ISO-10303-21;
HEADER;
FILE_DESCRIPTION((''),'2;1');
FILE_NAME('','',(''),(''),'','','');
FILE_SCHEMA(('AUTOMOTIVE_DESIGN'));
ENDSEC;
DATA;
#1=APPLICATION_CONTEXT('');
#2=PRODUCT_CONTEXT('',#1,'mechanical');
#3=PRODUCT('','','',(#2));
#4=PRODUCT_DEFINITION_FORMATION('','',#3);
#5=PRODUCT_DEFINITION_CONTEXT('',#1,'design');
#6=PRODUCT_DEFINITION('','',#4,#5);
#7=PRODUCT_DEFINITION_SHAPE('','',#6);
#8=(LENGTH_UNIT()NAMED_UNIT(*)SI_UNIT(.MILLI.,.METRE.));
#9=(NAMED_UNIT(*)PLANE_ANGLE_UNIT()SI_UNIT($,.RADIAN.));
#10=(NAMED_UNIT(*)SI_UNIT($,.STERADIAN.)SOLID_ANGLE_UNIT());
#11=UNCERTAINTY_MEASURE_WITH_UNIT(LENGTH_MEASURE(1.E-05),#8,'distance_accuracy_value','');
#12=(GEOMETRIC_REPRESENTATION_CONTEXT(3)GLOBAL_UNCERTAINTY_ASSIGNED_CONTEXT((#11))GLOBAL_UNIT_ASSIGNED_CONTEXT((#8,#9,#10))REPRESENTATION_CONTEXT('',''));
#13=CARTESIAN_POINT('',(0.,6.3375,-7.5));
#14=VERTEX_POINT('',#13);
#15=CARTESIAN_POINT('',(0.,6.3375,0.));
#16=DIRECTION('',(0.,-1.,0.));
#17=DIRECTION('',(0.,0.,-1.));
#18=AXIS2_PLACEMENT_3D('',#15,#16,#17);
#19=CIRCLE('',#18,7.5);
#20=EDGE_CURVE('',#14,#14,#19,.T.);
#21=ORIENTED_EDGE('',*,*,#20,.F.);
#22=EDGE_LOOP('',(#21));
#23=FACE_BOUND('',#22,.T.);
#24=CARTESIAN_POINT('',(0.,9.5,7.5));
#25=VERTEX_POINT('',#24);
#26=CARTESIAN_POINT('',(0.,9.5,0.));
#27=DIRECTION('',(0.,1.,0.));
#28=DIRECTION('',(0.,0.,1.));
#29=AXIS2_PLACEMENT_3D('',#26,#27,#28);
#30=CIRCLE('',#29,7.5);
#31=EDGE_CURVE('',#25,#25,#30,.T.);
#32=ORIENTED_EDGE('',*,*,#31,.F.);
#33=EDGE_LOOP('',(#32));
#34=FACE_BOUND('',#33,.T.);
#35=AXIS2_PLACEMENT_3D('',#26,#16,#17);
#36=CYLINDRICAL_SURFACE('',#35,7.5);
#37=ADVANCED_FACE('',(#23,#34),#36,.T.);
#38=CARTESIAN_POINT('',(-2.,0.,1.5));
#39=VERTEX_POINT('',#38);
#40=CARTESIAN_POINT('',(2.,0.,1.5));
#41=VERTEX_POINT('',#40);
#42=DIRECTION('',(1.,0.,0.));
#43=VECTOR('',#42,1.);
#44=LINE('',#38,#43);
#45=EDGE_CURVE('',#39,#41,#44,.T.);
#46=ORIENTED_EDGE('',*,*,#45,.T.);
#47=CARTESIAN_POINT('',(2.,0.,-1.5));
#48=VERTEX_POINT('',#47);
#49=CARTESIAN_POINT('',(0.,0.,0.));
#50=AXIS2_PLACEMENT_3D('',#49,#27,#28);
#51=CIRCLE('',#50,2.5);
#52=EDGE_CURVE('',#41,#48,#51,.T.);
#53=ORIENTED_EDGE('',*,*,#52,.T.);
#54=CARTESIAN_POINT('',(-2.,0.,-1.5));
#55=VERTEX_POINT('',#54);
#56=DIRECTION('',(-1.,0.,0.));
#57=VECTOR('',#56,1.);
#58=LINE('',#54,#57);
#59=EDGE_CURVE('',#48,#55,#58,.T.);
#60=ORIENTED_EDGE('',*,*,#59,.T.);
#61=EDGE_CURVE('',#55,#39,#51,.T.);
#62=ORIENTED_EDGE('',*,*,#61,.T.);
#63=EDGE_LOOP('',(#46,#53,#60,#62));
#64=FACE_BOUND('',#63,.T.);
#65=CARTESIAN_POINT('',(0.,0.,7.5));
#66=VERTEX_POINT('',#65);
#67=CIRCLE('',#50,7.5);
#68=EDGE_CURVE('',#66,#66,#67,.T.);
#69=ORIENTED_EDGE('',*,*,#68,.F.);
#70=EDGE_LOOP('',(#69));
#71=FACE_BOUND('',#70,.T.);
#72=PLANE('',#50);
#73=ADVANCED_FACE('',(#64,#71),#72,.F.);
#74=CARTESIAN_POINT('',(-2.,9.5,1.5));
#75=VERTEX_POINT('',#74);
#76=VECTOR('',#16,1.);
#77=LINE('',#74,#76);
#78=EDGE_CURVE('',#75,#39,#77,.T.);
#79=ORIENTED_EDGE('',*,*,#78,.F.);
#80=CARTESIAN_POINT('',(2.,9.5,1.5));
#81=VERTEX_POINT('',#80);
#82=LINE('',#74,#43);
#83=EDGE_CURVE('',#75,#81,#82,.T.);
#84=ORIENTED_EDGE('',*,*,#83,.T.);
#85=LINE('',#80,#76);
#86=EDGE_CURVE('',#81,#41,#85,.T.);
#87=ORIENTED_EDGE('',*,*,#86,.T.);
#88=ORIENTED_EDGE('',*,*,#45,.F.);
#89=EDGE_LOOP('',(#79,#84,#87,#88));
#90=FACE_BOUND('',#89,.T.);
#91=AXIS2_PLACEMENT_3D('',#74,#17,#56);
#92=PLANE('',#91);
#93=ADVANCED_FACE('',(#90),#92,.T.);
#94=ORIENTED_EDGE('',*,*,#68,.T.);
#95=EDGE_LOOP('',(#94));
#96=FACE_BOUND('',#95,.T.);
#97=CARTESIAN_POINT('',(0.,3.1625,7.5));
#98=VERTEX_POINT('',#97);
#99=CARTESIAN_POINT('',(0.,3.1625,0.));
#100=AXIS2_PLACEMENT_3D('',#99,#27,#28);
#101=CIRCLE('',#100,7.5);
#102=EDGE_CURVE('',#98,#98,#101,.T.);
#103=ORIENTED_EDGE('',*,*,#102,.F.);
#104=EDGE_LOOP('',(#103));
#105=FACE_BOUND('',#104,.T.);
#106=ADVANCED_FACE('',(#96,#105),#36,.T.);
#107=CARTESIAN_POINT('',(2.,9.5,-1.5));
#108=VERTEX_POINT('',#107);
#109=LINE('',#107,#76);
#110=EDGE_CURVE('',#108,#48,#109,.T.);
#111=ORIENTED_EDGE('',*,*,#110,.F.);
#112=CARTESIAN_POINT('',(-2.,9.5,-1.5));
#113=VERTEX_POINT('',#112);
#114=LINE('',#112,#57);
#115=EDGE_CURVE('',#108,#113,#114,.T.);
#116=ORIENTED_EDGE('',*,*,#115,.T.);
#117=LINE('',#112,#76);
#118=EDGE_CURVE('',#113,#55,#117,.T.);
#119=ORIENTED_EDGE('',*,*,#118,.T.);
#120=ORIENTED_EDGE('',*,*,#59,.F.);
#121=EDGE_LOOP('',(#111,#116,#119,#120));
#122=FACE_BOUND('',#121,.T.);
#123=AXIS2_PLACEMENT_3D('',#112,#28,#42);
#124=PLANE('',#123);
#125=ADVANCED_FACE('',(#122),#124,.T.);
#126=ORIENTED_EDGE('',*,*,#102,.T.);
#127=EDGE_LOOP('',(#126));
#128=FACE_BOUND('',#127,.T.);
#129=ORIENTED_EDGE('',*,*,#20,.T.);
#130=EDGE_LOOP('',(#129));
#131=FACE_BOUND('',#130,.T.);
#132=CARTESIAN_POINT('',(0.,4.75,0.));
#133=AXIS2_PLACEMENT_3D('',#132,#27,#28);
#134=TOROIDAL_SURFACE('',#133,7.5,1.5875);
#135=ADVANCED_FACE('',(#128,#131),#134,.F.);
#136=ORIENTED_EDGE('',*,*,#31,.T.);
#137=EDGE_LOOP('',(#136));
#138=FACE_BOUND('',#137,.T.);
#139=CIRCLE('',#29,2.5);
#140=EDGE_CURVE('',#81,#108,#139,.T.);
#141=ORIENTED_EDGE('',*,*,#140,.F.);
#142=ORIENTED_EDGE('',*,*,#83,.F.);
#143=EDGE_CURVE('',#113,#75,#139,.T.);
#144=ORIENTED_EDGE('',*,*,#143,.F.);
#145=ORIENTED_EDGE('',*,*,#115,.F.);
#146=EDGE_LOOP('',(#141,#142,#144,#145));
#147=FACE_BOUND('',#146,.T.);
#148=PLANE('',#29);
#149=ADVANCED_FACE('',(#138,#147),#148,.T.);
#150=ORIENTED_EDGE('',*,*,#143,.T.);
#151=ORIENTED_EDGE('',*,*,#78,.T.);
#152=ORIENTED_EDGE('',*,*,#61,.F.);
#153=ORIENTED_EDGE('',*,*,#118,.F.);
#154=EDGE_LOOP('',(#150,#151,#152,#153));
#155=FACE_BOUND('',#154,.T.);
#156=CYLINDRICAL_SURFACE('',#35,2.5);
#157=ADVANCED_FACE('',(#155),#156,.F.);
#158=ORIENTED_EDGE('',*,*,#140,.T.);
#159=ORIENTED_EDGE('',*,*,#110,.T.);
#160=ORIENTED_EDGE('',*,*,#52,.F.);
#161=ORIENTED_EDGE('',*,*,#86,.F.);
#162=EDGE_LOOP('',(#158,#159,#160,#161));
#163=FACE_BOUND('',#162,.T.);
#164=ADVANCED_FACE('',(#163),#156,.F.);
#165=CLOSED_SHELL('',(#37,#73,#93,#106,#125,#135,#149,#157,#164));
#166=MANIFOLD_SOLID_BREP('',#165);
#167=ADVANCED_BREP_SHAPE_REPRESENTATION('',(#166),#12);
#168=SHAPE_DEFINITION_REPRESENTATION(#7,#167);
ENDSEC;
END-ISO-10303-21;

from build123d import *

# Parameters (mm, degrees)
SKETCH1_R           = 7.5
BOSS_EXTRUDE1_DEPTH = 9.5
SKETCH2_R           = 1.5875


with BuildPart() as part:
    # Sketch1 → Boss-Extrude1 (new body)
    with BuildSketch(Plane(origin=(0, 0, 0), x_dir=(1, 0, 0), z_dir=(0, 1, 0))):
        Circle(SKETCH1_R)
        with BuildLine():
            Line((-2, 1.5), (2, 1.5))
            ThreePointArc((2, 1.5), (2.5, 0), (2, -1.5))
            Line((2, -1.5), (-2, -1.5))
            ThreePointArc((-2, -1.5), (-2.5, 0), (-2, 1.5))
        make_face(mode=Mode.SUBTRACT)
    extrude(amount=BOSS_EXTRUDE1_DEPTH)

    # Sketch2 → Cut-Revolve1 (revolve, cut)
    with BuildSketch(Plane.XY):
        with Locations((7.5, 4.75)):
            Circle(SKETCH2_R)
    revolve(axis=Axis((0, 9.5, 0), (0, -1, 0)), mode=Mode.SUBTRACT)


solid = part.part
